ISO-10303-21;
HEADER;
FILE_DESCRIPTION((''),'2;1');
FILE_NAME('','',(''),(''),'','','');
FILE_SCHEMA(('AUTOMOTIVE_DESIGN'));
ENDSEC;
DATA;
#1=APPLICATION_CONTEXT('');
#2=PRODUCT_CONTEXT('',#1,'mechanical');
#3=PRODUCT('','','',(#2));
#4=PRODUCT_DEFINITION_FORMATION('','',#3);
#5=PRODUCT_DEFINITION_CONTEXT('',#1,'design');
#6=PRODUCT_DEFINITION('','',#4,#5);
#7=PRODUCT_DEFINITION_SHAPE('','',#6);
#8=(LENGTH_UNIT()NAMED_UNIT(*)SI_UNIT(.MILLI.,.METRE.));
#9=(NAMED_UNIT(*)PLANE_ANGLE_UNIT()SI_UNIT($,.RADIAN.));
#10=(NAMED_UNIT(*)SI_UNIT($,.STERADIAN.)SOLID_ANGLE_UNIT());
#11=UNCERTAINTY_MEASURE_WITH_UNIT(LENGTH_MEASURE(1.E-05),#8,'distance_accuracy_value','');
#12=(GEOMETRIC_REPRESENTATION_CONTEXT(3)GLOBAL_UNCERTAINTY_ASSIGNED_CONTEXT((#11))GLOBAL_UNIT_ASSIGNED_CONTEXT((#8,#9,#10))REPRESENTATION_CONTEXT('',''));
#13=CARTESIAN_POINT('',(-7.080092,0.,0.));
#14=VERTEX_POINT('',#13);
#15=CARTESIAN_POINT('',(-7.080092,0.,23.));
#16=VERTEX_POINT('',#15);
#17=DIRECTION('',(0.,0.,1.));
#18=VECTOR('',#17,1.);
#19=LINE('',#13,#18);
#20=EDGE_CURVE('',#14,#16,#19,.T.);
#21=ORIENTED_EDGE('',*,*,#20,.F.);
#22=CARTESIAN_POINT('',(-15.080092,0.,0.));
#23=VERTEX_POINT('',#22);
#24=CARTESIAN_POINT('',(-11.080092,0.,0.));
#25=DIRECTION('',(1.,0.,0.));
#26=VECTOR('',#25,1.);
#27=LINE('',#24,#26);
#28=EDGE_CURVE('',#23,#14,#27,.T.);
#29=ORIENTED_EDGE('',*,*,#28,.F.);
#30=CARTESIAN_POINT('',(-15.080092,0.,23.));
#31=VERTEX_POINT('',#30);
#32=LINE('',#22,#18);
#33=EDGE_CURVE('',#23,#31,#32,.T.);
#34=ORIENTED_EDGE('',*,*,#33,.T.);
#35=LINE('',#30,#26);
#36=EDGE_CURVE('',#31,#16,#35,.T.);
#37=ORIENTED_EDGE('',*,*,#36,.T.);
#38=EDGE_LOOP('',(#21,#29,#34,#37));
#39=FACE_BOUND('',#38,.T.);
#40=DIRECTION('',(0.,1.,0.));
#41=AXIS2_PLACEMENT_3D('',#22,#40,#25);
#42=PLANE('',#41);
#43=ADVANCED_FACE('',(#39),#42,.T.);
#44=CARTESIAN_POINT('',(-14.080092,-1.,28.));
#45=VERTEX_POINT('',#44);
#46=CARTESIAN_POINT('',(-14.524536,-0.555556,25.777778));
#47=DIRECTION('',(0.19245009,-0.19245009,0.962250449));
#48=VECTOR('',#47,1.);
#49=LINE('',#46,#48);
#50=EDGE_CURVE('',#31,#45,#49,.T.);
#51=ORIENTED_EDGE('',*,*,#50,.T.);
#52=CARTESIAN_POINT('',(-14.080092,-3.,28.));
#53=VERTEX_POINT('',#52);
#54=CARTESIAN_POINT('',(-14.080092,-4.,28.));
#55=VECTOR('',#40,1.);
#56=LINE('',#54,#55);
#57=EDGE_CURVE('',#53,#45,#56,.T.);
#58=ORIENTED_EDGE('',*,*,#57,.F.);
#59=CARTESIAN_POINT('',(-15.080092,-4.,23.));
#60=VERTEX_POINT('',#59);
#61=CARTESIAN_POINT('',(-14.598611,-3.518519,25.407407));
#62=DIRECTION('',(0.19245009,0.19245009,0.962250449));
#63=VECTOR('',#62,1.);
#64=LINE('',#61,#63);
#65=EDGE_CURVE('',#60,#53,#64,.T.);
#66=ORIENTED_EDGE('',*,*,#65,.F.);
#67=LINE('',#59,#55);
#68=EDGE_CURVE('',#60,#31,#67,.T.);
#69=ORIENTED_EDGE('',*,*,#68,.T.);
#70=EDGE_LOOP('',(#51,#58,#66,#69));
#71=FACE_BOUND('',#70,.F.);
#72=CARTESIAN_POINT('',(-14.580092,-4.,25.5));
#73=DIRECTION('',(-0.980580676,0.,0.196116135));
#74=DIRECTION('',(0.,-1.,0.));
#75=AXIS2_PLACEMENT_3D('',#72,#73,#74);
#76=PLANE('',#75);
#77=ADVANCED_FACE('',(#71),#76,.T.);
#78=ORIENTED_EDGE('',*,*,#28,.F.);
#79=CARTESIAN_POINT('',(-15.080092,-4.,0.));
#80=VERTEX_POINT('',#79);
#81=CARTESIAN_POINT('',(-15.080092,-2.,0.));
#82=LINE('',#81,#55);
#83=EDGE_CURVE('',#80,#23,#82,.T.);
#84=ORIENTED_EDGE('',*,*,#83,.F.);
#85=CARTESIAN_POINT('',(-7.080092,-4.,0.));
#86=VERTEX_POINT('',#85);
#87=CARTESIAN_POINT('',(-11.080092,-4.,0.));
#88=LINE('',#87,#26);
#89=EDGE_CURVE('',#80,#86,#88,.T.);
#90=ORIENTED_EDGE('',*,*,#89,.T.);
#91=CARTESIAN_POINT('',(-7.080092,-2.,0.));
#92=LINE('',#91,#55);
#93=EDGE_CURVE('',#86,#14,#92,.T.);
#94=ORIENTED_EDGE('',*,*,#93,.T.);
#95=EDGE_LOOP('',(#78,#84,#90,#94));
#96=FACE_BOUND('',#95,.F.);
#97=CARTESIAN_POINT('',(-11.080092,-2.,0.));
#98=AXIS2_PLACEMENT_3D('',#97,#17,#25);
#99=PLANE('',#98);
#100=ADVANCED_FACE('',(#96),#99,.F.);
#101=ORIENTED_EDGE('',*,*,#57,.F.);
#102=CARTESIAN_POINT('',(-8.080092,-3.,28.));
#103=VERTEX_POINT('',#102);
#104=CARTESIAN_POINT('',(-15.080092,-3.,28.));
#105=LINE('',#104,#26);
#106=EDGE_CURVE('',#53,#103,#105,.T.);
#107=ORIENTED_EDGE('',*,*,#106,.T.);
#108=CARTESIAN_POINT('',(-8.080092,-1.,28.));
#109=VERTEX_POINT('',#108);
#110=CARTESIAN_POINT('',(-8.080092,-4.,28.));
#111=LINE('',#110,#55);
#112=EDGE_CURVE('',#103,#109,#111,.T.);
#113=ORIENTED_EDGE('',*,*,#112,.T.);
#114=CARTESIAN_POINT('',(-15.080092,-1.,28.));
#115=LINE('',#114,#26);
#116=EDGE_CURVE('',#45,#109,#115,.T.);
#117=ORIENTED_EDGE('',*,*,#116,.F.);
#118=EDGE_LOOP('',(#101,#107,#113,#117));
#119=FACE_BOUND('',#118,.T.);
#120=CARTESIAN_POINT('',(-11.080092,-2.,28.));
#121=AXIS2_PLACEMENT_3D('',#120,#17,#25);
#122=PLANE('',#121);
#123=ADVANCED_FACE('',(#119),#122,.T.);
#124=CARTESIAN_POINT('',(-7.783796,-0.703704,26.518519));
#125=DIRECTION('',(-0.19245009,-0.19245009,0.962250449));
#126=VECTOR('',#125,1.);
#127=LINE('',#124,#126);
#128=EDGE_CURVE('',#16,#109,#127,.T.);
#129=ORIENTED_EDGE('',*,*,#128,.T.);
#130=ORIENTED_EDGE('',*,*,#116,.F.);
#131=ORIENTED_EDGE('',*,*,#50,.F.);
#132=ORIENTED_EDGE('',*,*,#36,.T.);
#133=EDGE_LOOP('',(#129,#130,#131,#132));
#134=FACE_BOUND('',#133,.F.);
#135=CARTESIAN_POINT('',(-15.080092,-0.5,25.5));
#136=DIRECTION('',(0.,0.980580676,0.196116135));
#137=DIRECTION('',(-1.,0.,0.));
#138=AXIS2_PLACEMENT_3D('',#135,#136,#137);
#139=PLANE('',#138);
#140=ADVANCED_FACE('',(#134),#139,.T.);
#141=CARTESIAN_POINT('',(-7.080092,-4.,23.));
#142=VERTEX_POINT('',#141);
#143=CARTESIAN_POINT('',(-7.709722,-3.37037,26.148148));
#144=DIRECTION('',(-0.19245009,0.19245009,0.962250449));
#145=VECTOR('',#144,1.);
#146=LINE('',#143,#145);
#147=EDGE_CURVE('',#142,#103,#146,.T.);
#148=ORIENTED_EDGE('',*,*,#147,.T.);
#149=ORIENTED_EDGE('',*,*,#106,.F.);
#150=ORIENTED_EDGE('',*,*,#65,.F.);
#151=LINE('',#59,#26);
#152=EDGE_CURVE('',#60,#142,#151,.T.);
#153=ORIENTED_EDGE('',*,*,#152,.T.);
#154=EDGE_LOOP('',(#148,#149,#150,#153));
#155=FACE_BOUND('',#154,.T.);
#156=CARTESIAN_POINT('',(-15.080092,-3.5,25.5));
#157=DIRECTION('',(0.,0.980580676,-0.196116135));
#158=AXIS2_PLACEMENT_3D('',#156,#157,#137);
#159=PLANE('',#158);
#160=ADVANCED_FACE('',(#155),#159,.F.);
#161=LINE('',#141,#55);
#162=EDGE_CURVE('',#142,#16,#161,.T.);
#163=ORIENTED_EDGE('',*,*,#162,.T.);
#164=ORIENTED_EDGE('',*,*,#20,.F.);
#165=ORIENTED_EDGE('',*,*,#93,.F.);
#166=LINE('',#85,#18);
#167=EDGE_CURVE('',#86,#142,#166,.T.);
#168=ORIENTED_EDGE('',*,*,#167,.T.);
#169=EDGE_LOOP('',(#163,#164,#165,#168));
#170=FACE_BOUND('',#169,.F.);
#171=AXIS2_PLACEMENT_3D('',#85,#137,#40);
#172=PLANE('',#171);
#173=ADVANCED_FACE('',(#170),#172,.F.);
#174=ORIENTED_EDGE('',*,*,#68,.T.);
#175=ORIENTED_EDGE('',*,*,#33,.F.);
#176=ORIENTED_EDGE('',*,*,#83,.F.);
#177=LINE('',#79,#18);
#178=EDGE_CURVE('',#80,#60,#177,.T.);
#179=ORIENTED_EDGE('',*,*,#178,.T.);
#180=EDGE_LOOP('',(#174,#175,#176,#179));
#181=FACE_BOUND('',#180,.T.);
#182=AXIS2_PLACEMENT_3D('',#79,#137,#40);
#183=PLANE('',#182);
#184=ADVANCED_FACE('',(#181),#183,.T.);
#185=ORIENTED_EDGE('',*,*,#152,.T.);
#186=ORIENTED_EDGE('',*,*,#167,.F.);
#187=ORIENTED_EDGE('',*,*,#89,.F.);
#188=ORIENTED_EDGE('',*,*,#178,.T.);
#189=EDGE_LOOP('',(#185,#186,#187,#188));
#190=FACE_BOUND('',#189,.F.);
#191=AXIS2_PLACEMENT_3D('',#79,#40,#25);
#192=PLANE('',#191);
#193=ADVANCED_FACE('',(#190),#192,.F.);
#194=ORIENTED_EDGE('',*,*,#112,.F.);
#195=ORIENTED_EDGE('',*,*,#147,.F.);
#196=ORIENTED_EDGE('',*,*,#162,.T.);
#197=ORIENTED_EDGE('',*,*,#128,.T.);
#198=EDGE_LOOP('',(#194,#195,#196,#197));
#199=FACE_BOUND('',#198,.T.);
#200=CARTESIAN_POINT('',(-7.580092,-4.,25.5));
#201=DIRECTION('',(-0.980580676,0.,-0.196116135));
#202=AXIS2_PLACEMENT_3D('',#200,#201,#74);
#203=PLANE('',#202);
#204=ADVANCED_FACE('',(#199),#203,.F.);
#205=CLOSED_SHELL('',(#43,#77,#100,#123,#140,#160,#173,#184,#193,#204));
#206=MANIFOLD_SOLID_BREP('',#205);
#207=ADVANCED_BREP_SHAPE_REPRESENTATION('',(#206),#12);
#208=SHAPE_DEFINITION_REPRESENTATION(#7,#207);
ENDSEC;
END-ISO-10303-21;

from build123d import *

# Parameters (mm, degrees)
F0_W     = 8
F0_H     = 4
F1_DEPTH = 28
F2_SIZE2 = 1
F2_SIZE  = 5


with BuildPart() as f1:
    # F0 (on Top) → F1 (new body)
    with BuildSketch(Plane.XY):
        with Locations((-11.080092, -2)):
            Rectangle(F0_W, F0_H)
    extrude(amount=F1_DEPTH)

    # F2
    f2_edges = [f1.edges().sort_by_distance(p)[0] for p in [
        (-11.080092, 0, 28),
        (-11.080092, -4, 28),
        (-7.080092, -2, 28),
        (-15.080092, -2, 28),
    ]]
    chamfer(f2_edges, length=F2_SIZE, length2=F2_SIZE2)


solid = f1.part
